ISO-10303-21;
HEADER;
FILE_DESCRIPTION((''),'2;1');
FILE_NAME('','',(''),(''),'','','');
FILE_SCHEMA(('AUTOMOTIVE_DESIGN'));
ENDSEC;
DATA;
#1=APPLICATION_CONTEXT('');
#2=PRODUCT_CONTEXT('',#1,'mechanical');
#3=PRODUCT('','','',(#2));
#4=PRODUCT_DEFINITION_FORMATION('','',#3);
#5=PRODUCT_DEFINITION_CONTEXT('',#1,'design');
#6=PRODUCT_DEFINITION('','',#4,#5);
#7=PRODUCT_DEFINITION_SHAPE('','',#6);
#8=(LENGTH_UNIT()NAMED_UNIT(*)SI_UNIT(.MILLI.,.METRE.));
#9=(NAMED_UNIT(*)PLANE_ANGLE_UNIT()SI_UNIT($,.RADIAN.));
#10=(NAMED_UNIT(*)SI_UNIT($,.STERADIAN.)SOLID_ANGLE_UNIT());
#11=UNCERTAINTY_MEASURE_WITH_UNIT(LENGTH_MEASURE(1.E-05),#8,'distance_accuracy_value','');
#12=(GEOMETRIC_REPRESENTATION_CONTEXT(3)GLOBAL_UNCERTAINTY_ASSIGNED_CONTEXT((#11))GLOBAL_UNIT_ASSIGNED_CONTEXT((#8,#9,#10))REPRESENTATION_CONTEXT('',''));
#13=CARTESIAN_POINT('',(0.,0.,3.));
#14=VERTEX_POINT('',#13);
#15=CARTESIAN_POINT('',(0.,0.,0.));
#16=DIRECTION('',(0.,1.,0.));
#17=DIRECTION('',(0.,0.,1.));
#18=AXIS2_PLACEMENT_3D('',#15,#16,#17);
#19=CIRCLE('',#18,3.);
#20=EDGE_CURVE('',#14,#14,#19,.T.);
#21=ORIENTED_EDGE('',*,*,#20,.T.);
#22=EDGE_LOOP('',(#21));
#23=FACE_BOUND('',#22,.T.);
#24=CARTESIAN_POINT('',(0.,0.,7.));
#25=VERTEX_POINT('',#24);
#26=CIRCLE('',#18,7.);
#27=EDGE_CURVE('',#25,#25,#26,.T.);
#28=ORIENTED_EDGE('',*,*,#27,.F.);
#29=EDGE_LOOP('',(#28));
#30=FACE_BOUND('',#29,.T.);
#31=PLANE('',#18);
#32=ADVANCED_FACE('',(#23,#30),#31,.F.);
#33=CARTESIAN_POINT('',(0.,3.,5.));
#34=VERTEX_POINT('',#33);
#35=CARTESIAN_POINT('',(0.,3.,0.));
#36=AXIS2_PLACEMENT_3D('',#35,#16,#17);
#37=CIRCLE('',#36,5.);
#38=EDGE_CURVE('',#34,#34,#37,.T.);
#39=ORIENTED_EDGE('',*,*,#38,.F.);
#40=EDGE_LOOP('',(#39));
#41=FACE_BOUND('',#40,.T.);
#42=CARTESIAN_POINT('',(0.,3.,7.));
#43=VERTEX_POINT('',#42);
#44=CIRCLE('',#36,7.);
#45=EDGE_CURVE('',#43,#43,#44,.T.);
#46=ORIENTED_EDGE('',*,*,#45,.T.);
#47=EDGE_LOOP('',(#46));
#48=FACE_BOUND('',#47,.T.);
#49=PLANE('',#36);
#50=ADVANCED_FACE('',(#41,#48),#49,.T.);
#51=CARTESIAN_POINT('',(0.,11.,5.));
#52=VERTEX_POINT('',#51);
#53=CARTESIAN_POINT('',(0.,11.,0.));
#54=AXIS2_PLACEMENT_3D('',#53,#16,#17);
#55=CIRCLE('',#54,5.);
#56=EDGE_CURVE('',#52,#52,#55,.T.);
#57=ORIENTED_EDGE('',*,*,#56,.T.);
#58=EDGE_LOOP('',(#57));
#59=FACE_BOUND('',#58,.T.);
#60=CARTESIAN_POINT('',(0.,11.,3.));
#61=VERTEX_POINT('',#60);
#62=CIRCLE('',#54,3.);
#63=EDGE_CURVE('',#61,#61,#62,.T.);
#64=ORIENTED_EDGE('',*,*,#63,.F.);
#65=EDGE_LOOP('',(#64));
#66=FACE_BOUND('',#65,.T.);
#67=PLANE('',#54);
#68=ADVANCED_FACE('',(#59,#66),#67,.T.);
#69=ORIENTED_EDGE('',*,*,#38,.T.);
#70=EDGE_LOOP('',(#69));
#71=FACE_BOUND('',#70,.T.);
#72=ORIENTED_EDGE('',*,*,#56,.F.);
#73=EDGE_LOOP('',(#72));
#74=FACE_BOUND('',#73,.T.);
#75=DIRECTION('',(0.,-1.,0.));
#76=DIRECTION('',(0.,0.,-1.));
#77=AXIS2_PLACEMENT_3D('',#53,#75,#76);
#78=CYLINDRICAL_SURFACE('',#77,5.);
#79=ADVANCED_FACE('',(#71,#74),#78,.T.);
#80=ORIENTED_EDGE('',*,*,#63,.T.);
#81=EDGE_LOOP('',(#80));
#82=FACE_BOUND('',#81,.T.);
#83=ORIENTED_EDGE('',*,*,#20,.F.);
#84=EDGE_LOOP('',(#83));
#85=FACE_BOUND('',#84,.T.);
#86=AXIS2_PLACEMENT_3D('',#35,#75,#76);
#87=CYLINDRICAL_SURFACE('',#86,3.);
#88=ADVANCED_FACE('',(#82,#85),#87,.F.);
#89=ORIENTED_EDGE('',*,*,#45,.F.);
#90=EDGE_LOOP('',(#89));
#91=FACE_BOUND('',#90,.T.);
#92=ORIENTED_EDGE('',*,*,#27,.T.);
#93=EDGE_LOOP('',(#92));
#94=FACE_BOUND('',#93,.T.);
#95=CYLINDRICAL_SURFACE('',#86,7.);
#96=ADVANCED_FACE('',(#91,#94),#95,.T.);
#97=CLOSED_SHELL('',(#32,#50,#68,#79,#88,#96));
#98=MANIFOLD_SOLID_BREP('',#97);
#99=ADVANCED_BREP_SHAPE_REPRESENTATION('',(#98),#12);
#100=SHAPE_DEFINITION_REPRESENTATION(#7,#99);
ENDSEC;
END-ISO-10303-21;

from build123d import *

# Parameters (mm, degrees)
IZIM3_R                     = 7
IZIM3_R_2                   = 3
Y_KSEKLIK_EKSTR_ZYON2_DEPTH = 3
IZIM4_R                     = 5
IZIM4_R_2                   = 3
Y_KSEKLIK_EKSTR_ZYON3_DEPTH = 8


with BuildPart() as part:
    # Çizim3 → Yükseklik-Ekstrüzyon2 (new body)
    with BuildSketch(Plane(origin=(0, 0, 0), x_dir=(1, 0, 0), z_dir=(0, 1, 0))):
        with Locations(Location((0, 0, 0), (0, 0, 270))):
            Circle(IZIM3_R)
        with Locations(Location((0, 0, 0), (0, 0, 270))):
            Circle(IZIM3_R_2, mode=Mode.SUBTRACT)
    extrude(amount=Y_KSEKLIK_EKSTR_ZYON2_DEPTH)

    # Çizim4 → Yükseklik-Ekstrüzyon3 (add)
    with BuildSketch(Plane(origin=(0, 3, 0), x_dir=(1, 0, 0), z_dir=(0, 1, 0))):
        with Locations(Location((0, 0, 0), (0, 0, 270))):
            Circle(IZIM4_R)
        with Locations(Location((0, 0, 0), (0, 0, 270))):
            Circle(IZIM4_R_2, mode=Mode.SUBTRACT)
    extrude(amount=Y_KSEKLIK_EKSTR_ZYON3_DEPTH)


solid = part.part
